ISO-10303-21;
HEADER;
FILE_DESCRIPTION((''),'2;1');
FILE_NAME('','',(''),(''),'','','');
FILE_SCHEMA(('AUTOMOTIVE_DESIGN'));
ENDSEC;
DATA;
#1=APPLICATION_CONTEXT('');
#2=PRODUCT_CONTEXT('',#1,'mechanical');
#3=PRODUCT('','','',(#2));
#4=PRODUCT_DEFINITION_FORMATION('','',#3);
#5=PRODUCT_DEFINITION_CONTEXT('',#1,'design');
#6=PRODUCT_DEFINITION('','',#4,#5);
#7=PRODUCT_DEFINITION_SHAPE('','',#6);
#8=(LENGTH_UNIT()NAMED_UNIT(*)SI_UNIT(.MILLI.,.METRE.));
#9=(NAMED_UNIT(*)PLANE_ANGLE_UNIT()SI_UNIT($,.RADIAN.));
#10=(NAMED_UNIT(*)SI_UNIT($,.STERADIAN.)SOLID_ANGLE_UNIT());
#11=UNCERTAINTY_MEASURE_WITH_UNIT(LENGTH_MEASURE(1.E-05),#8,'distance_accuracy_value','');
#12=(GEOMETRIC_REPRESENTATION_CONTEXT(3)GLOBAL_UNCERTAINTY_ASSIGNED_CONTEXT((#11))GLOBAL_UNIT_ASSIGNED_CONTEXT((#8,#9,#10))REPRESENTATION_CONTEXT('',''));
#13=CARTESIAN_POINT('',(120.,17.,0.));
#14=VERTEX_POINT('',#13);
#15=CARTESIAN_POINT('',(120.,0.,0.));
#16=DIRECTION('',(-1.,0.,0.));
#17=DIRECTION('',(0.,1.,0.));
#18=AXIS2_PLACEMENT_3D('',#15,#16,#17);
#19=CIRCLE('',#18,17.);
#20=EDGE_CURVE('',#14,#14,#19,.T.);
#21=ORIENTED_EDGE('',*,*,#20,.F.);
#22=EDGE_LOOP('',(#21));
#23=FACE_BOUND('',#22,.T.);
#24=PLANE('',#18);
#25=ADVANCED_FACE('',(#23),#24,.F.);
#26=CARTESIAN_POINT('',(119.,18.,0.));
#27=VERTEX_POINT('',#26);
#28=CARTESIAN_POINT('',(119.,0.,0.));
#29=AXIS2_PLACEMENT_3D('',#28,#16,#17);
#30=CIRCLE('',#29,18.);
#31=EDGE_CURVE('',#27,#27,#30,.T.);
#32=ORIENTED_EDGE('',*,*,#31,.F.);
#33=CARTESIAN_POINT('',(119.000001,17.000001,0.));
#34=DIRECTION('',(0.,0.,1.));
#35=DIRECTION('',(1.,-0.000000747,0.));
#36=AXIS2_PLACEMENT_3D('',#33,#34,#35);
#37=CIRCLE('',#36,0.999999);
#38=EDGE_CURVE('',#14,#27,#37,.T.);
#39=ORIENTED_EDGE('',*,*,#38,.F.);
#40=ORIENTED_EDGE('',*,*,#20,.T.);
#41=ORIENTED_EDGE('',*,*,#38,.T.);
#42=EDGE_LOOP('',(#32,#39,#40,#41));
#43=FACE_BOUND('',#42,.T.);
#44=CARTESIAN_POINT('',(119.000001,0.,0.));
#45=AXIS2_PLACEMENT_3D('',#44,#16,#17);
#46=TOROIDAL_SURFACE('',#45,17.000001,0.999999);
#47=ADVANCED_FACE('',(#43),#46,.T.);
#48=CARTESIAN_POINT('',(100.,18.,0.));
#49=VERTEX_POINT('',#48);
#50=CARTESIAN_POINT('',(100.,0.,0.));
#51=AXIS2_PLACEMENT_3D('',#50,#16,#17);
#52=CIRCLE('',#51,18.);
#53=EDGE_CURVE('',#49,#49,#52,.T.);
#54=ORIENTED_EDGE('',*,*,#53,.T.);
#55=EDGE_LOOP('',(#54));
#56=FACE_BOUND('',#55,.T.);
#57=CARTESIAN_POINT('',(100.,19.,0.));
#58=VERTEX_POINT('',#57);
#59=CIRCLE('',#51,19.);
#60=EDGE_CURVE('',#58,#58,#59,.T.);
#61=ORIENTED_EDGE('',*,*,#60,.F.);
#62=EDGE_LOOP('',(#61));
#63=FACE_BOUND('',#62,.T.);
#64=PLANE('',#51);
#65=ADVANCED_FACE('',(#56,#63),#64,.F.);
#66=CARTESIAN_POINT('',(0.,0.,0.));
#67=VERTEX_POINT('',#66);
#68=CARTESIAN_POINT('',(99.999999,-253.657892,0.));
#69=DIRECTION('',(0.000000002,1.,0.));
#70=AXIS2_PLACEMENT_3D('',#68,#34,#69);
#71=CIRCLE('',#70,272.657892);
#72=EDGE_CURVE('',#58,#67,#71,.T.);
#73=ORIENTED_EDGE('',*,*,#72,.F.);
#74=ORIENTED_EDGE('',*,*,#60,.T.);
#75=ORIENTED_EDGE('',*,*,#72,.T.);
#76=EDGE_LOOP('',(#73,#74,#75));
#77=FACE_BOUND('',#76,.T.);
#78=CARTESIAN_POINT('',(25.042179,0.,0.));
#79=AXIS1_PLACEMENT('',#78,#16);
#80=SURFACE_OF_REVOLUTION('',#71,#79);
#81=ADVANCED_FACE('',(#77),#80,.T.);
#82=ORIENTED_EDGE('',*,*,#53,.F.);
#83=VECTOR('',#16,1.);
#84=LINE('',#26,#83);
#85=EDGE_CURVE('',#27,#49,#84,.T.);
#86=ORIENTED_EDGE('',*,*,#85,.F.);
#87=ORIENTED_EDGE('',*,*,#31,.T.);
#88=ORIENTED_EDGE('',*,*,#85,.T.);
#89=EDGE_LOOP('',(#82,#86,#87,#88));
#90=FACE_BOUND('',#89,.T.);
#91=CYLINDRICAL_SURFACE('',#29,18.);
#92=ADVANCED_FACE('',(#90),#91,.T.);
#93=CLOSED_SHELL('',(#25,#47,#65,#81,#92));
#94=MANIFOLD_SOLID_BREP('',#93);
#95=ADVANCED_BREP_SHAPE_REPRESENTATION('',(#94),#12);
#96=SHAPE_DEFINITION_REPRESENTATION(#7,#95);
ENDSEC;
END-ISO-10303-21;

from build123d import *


with BuildPart() as f2:
    # F1 (on Top) → F2 (revolve)
    with BuildSketch(Plane.XY):
        with BuildLine():
            Line((0, 0), (100, 0))
            Line((100, 0), (100, 18))
            Line((100, 18), (100, 19))
            ThreePointArc((100, 19), (49.105501, 14.207888), (0, 0))
        make_face()
        with BuildLine():
            Line((100, 18), (100, 0))
            Line((100, 0), (115, 0))
            Line((115, 0), (120, 0))
            Line((120, 0), (120, 17))
            ThreePointArc((120, 17), (119.707107, 17.707107), (119, 18))
            Line((119, 18), (100, 18))
        make_face()
    revolve(axis=Axis((25.042179, 0, 0), (-1, 0, 0)))


solid = f2.part
